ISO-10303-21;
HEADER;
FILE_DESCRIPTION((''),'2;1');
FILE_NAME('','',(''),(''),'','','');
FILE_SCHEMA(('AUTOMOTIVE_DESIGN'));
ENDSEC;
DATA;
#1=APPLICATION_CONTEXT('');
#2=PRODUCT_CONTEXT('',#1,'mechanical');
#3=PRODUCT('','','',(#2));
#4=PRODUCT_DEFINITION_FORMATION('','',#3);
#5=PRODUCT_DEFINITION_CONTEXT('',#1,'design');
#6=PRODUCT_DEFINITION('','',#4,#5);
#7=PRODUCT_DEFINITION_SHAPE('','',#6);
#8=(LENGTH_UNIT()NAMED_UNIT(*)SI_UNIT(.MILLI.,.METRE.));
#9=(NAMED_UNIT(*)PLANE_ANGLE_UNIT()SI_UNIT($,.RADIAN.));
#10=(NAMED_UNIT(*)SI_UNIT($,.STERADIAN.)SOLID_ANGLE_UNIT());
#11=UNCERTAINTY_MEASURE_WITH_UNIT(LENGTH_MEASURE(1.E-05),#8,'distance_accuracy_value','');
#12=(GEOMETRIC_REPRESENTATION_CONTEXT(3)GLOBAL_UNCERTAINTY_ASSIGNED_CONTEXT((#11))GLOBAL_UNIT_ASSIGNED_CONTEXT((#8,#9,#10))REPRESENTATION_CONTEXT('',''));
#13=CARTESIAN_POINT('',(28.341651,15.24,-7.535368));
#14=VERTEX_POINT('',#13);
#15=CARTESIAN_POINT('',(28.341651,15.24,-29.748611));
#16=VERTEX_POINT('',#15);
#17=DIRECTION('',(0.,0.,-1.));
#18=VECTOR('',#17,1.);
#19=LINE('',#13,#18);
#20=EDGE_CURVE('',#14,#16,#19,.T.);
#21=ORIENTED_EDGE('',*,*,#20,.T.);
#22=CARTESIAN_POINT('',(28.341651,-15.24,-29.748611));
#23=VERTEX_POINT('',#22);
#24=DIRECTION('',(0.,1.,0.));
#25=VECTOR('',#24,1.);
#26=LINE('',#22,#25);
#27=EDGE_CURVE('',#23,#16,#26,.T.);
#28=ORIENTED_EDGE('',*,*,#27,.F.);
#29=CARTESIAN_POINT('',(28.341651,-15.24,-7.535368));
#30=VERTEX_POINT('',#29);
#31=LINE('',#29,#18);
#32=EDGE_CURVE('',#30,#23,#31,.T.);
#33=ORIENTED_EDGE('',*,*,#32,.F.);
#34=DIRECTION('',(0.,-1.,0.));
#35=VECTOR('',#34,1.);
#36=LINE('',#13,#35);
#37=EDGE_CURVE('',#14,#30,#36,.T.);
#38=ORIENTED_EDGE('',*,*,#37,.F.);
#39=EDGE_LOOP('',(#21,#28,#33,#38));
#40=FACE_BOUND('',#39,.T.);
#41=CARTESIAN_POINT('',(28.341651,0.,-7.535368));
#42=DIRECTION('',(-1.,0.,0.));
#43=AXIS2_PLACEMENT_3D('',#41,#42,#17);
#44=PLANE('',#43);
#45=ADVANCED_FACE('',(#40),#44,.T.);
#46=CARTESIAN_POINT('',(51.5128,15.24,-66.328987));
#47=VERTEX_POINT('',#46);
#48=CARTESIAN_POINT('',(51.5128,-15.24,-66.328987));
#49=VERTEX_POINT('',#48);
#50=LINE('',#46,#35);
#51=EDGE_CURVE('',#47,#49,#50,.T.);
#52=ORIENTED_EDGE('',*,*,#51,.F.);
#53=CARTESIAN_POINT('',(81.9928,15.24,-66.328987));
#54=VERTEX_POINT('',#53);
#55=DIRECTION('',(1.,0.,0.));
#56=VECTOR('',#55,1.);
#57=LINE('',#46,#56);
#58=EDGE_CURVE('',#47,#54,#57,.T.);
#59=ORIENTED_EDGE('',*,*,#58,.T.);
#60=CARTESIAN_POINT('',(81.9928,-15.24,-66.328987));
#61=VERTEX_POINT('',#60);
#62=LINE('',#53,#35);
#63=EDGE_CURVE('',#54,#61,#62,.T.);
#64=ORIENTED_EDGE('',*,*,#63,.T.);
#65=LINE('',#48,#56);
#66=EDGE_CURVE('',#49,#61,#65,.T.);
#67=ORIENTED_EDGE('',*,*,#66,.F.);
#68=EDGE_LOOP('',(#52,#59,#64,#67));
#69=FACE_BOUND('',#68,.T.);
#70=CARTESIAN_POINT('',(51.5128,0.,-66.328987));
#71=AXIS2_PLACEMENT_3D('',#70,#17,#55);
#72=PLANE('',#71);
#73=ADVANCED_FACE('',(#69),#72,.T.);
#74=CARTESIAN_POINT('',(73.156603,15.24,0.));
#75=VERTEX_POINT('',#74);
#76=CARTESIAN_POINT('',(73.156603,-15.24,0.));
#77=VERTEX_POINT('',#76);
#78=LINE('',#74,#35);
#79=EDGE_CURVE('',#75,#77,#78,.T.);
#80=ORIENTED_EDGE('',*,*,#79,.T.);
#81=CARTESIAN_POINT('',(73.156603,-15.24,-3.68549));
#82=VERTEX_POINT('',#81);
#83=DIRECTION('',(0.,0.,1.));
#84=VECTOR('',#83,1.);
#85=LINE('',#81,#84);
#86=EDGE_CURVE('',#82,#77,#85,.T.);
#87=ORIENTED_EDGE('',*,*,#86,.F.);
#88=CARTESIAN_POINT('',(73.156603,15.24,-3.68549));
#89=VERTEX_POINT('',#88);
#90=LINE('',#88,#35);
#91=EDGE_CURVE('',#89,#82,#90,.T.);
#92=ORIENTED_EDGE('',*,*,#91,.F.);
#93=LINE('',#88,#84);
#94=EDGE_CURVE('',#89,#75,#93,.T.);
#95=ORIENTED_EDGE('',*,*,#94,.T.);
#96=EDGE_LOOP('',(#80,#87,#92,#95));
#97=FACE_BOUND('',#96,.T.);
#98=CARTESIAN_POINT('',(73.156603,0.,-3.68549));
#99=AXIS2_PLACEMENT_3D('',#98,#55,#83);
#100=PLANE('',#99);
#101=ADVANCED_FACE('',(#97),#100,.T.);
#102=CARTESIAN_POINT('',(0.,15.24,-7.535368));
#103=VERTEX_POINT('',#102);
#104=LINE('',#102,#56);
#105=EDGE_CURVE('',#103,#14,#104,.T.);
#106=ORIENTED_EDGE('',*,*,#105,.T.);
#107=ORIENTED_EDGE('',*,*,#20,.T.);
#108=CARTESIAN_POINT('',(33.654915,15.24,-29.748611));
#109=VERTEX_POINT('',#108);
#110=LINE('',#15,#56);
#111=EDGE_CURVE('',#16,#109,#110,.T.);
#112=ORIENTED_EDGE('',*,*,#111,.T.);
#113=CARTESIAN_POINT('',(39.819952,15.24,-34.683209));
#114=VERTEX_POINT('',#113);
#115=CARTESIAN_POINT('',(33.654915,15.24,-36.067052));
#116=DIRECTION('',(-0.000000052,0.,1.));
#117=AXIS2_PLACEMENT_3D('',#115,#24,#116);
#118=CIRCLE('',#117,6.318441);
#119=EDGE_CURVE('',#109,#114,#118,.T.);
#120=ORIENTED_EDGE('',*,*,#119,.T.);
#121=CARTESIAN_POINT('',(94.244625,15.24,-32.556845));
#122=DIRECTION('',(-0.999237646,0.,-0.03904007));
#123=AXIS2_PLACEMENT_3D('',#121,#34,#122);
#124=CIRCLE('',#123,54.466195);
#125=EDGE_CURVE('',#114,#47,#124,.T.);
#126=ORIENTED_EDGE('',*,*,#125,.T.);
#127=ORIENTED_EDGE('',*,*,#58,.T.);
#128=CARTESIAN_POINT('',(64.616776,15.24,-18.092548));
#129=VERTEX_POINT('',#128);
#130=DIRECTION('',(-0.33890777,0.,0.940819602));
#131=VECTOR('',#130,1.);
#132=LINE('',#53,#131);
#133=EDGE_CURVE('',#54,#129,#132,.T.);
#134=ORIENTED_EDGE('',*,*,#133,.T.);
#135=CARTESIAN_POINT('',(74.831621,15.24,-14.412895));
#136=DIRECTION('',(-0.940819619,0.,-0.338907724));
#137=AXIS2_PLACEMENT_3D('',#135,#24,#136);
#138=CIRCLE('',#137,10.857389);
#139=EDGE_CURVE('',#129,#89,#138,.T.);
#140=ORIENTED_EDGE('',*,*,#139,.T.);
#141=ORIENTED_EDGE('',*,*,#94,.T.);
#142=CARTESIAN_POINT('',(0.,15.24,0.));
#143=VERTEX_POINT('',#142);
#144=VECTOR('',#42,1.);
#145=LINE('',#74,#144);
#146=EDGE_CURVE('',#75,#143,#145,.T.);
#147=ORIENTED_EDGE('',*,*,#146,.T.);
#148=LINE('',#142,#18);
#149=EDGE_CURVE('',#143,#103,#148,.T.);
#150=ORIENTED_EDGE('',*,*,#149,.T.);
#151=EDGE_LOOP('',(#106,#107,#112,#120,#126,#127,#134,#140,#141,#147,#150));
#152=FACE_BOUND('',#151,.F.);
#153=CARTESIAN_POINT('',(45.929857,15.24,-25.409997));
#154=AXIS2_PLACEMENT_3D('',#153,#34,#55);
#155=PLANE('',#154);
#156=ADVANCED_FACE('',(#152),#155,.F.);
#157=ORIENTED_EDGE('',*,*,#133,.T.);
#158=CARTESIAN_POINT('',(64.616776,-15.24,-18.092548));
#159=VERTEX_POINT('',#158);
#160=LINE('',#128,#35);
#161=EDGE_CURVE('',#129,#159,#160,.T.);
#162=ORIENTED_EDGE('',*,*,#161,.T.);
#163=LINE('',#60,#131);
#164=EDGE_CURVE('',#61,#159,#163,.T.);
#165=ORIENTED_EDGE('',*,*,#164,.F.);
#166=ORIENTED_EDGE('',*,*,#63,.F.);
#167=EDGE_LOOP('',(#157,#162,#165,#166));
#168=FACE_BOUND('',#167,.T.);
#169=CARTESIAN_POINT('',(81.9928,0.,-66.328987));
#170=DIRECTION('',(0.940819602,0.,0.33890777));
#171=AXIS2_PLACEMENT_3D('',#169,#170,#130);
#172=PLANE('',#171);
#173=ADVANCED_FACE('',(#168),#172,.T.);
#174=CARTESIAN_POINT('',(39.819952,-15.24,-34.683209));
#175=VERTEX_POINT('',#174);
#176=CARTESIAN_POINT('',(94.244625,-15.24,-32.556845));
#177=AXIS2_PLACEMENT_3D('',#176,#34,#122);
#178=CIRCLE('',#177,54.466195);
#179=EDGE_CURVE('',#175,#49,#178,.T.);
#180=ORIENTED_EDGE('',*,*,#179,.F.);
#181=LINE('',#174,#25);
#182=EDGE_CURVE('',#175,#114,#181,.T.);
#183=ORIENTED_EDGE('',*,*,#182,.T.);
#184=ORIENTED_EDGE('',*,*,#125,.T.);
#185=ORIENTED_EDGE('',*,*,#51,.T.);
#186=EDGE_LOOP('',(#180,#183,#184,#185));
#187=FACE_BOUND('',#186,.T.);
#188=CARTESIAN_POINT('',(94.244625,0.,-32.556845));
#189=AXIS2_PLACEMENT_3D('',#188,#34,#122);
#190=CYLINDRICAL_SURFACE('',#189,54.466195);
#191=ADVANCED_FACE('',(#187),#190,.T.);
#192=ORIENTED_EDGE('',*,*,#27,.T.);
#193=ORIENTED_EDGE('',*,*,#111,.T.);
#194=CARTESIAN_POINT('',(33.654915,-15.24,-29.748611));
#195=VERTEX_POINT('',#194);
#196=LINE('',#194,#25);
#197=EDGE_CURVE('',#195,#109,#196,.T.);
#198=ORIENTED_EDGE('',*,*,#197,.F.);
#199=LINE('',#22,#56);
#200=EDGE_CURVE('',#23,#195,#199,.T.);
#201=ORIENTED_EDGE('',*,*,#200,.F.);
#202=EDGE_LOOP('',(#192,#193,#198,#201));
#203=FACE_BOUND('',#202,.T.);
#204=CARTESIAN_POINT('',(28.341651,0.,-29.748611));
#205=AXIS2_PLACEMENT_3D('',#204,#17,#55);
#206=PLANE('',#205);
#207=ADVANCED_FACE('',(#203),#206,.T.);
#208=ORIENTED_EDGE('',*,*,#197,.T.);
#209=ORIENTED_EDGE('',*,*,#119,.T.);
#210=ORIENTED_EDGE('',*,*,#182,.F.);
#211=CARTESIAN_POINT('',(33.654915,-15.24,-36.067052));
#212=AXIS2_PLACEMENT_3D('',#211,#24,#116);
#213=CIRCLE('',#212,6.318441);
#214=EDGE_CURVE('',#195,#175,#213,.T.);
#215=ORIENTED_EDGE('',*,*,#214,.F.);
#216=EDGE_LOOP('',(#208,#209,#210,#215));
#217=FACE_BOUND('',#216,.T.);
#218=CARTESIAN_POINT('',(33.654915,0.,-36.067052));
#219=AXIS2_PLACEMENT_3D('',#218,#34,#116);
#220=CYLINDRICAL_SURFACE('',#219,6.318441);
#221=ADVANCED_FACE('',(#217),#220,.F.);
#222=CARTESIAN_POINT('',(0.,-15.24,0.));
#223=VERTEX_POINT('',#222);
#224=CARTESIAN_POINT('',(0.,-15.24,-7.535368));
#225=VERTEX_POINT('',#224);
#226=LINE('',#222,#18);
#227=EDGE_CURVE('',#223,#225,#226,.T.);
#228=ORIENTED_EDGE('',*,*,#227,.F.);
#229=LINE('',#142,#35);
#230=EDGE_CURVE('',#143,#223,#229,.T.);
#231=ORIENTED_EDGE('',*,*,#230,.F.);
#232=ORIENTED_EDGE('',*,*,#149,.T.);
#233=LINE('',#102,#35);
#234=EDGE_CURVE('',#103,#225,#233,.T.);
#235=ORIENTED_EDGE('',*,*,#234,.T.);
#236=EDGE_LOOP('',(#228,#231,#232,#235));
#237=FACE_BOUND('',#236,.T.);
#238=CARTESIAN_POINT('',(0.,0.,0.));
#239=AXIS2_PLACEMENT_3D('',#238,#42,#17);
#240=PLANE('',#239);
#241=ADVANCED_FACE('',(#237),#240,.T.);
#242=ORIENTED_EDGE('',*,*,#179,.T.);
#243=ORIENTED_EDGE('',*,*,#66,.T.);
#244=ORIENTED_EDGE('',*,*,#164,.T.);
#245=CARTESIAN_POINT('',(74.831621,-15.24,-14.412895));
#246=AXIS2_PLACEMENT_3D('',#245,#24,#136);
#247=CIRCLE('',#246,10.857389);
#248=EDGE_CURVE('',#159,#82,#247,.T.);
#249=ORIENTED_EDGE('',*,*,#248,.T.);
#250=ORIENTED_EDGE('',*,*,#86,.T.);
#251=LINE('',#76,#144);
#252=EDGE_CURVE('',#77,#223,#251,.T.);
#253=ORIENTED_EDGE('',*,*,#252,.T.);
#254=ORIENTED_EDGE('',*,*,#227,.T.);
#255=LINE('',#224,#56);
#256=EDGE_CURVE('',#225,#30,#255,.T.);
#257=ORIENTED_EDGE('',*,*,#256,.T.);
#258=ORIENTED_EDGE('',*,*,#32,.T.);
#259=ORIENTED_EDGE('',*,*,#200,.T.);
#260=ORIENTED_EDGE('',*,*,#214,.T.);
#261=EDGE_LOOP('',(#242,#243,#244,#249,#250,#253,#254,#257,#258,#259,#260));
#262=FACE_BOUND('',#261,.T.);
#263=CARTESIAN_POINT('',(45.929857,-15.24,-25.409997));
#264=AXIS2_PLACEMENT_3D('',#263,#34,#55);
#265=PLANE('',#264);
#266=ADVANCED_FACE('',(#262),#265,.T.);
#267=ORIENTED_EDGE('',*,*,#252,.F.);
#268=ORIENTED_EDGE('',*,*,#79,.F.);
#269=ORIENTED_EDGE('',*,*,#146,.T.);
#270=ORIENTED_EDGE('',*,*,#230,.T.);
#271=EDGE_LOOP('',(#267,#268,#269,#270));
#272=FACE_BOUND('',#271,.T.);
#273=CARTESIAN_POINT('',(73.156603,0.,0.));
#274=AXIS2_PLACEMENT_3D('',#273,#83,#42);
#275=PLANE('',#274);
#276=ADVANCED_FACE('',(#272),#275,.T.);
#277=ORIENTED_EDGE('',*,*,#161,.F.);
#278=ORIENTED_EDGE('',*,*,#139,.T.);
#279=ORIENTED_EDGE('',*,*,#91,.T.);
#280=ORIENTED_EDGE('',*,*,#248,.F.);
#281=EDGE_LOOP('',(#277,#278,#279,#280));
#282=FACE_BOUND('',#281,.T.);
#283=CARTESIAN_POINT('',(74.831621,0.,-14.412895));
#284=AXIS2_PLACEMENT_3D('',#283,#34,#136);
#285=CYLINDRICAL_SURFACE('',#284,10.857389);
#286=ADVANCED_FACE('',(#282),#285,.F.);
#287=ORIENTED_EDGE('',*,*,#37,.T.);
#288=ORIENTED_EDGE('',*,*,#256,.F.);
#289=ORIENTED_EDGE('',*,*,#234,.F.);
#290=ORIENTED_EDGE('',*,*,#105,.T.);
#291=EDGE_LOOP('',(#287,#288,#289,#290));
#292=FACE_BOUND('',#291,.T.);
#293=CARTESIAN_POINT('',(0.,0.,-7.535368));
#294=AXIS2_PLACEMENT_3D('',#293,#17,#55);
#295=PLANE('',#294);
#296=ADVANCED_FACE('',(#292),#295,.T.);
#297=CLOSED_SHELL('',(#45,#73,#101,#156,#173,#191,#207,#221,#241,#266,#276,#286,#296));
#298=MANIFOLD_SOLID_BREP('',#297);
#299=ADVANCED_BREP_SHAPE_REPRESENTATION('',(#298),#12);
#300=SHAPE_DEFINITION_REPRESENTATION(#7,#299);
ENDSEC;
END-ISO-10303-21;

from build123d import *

# Parameters (mm, degrees)
F1_DEPTH = 15.24


with BuildPart() as f1:
    # F0 (on Front) → F1 (new body, symmetric)
    with BuildSketch(Plane.XZ):
        with BuildLine():
            ThreePointArc((39.819952, -34.683209), (43.15441, -51.434249), (51.5128, -66.328987))
            Line((51.5128, -66.328987), (81.9928, -66.328987))
            Line((81.9928, -66.328987), (64.616776, -18.092548))
            ThreePointArc((64.616776, -18.092548), (65.491758, -8.876663), (73.156603, -3.68549))
            Line((73.156603, -3.68549), (73.156603, 0))
            Line((73.156603, 0), (0, 0))
            Line((0, 0), (0, -7.535368))
            Line((0, -7.535368), (28.341651, -7.535368))
            Line((28.341651, -7.535368), (28.341651, -29.748611))
            Line((28.341651, -29.748611), (33.654915, -29.748611))
            ThreePointArc((33.654915, -29.748611), (37.603267, -31.134181), (39.819952, -34.683209))
        make_face()
    extrude(amount=F1_DEPTH, both=True)


solid = f1.part
